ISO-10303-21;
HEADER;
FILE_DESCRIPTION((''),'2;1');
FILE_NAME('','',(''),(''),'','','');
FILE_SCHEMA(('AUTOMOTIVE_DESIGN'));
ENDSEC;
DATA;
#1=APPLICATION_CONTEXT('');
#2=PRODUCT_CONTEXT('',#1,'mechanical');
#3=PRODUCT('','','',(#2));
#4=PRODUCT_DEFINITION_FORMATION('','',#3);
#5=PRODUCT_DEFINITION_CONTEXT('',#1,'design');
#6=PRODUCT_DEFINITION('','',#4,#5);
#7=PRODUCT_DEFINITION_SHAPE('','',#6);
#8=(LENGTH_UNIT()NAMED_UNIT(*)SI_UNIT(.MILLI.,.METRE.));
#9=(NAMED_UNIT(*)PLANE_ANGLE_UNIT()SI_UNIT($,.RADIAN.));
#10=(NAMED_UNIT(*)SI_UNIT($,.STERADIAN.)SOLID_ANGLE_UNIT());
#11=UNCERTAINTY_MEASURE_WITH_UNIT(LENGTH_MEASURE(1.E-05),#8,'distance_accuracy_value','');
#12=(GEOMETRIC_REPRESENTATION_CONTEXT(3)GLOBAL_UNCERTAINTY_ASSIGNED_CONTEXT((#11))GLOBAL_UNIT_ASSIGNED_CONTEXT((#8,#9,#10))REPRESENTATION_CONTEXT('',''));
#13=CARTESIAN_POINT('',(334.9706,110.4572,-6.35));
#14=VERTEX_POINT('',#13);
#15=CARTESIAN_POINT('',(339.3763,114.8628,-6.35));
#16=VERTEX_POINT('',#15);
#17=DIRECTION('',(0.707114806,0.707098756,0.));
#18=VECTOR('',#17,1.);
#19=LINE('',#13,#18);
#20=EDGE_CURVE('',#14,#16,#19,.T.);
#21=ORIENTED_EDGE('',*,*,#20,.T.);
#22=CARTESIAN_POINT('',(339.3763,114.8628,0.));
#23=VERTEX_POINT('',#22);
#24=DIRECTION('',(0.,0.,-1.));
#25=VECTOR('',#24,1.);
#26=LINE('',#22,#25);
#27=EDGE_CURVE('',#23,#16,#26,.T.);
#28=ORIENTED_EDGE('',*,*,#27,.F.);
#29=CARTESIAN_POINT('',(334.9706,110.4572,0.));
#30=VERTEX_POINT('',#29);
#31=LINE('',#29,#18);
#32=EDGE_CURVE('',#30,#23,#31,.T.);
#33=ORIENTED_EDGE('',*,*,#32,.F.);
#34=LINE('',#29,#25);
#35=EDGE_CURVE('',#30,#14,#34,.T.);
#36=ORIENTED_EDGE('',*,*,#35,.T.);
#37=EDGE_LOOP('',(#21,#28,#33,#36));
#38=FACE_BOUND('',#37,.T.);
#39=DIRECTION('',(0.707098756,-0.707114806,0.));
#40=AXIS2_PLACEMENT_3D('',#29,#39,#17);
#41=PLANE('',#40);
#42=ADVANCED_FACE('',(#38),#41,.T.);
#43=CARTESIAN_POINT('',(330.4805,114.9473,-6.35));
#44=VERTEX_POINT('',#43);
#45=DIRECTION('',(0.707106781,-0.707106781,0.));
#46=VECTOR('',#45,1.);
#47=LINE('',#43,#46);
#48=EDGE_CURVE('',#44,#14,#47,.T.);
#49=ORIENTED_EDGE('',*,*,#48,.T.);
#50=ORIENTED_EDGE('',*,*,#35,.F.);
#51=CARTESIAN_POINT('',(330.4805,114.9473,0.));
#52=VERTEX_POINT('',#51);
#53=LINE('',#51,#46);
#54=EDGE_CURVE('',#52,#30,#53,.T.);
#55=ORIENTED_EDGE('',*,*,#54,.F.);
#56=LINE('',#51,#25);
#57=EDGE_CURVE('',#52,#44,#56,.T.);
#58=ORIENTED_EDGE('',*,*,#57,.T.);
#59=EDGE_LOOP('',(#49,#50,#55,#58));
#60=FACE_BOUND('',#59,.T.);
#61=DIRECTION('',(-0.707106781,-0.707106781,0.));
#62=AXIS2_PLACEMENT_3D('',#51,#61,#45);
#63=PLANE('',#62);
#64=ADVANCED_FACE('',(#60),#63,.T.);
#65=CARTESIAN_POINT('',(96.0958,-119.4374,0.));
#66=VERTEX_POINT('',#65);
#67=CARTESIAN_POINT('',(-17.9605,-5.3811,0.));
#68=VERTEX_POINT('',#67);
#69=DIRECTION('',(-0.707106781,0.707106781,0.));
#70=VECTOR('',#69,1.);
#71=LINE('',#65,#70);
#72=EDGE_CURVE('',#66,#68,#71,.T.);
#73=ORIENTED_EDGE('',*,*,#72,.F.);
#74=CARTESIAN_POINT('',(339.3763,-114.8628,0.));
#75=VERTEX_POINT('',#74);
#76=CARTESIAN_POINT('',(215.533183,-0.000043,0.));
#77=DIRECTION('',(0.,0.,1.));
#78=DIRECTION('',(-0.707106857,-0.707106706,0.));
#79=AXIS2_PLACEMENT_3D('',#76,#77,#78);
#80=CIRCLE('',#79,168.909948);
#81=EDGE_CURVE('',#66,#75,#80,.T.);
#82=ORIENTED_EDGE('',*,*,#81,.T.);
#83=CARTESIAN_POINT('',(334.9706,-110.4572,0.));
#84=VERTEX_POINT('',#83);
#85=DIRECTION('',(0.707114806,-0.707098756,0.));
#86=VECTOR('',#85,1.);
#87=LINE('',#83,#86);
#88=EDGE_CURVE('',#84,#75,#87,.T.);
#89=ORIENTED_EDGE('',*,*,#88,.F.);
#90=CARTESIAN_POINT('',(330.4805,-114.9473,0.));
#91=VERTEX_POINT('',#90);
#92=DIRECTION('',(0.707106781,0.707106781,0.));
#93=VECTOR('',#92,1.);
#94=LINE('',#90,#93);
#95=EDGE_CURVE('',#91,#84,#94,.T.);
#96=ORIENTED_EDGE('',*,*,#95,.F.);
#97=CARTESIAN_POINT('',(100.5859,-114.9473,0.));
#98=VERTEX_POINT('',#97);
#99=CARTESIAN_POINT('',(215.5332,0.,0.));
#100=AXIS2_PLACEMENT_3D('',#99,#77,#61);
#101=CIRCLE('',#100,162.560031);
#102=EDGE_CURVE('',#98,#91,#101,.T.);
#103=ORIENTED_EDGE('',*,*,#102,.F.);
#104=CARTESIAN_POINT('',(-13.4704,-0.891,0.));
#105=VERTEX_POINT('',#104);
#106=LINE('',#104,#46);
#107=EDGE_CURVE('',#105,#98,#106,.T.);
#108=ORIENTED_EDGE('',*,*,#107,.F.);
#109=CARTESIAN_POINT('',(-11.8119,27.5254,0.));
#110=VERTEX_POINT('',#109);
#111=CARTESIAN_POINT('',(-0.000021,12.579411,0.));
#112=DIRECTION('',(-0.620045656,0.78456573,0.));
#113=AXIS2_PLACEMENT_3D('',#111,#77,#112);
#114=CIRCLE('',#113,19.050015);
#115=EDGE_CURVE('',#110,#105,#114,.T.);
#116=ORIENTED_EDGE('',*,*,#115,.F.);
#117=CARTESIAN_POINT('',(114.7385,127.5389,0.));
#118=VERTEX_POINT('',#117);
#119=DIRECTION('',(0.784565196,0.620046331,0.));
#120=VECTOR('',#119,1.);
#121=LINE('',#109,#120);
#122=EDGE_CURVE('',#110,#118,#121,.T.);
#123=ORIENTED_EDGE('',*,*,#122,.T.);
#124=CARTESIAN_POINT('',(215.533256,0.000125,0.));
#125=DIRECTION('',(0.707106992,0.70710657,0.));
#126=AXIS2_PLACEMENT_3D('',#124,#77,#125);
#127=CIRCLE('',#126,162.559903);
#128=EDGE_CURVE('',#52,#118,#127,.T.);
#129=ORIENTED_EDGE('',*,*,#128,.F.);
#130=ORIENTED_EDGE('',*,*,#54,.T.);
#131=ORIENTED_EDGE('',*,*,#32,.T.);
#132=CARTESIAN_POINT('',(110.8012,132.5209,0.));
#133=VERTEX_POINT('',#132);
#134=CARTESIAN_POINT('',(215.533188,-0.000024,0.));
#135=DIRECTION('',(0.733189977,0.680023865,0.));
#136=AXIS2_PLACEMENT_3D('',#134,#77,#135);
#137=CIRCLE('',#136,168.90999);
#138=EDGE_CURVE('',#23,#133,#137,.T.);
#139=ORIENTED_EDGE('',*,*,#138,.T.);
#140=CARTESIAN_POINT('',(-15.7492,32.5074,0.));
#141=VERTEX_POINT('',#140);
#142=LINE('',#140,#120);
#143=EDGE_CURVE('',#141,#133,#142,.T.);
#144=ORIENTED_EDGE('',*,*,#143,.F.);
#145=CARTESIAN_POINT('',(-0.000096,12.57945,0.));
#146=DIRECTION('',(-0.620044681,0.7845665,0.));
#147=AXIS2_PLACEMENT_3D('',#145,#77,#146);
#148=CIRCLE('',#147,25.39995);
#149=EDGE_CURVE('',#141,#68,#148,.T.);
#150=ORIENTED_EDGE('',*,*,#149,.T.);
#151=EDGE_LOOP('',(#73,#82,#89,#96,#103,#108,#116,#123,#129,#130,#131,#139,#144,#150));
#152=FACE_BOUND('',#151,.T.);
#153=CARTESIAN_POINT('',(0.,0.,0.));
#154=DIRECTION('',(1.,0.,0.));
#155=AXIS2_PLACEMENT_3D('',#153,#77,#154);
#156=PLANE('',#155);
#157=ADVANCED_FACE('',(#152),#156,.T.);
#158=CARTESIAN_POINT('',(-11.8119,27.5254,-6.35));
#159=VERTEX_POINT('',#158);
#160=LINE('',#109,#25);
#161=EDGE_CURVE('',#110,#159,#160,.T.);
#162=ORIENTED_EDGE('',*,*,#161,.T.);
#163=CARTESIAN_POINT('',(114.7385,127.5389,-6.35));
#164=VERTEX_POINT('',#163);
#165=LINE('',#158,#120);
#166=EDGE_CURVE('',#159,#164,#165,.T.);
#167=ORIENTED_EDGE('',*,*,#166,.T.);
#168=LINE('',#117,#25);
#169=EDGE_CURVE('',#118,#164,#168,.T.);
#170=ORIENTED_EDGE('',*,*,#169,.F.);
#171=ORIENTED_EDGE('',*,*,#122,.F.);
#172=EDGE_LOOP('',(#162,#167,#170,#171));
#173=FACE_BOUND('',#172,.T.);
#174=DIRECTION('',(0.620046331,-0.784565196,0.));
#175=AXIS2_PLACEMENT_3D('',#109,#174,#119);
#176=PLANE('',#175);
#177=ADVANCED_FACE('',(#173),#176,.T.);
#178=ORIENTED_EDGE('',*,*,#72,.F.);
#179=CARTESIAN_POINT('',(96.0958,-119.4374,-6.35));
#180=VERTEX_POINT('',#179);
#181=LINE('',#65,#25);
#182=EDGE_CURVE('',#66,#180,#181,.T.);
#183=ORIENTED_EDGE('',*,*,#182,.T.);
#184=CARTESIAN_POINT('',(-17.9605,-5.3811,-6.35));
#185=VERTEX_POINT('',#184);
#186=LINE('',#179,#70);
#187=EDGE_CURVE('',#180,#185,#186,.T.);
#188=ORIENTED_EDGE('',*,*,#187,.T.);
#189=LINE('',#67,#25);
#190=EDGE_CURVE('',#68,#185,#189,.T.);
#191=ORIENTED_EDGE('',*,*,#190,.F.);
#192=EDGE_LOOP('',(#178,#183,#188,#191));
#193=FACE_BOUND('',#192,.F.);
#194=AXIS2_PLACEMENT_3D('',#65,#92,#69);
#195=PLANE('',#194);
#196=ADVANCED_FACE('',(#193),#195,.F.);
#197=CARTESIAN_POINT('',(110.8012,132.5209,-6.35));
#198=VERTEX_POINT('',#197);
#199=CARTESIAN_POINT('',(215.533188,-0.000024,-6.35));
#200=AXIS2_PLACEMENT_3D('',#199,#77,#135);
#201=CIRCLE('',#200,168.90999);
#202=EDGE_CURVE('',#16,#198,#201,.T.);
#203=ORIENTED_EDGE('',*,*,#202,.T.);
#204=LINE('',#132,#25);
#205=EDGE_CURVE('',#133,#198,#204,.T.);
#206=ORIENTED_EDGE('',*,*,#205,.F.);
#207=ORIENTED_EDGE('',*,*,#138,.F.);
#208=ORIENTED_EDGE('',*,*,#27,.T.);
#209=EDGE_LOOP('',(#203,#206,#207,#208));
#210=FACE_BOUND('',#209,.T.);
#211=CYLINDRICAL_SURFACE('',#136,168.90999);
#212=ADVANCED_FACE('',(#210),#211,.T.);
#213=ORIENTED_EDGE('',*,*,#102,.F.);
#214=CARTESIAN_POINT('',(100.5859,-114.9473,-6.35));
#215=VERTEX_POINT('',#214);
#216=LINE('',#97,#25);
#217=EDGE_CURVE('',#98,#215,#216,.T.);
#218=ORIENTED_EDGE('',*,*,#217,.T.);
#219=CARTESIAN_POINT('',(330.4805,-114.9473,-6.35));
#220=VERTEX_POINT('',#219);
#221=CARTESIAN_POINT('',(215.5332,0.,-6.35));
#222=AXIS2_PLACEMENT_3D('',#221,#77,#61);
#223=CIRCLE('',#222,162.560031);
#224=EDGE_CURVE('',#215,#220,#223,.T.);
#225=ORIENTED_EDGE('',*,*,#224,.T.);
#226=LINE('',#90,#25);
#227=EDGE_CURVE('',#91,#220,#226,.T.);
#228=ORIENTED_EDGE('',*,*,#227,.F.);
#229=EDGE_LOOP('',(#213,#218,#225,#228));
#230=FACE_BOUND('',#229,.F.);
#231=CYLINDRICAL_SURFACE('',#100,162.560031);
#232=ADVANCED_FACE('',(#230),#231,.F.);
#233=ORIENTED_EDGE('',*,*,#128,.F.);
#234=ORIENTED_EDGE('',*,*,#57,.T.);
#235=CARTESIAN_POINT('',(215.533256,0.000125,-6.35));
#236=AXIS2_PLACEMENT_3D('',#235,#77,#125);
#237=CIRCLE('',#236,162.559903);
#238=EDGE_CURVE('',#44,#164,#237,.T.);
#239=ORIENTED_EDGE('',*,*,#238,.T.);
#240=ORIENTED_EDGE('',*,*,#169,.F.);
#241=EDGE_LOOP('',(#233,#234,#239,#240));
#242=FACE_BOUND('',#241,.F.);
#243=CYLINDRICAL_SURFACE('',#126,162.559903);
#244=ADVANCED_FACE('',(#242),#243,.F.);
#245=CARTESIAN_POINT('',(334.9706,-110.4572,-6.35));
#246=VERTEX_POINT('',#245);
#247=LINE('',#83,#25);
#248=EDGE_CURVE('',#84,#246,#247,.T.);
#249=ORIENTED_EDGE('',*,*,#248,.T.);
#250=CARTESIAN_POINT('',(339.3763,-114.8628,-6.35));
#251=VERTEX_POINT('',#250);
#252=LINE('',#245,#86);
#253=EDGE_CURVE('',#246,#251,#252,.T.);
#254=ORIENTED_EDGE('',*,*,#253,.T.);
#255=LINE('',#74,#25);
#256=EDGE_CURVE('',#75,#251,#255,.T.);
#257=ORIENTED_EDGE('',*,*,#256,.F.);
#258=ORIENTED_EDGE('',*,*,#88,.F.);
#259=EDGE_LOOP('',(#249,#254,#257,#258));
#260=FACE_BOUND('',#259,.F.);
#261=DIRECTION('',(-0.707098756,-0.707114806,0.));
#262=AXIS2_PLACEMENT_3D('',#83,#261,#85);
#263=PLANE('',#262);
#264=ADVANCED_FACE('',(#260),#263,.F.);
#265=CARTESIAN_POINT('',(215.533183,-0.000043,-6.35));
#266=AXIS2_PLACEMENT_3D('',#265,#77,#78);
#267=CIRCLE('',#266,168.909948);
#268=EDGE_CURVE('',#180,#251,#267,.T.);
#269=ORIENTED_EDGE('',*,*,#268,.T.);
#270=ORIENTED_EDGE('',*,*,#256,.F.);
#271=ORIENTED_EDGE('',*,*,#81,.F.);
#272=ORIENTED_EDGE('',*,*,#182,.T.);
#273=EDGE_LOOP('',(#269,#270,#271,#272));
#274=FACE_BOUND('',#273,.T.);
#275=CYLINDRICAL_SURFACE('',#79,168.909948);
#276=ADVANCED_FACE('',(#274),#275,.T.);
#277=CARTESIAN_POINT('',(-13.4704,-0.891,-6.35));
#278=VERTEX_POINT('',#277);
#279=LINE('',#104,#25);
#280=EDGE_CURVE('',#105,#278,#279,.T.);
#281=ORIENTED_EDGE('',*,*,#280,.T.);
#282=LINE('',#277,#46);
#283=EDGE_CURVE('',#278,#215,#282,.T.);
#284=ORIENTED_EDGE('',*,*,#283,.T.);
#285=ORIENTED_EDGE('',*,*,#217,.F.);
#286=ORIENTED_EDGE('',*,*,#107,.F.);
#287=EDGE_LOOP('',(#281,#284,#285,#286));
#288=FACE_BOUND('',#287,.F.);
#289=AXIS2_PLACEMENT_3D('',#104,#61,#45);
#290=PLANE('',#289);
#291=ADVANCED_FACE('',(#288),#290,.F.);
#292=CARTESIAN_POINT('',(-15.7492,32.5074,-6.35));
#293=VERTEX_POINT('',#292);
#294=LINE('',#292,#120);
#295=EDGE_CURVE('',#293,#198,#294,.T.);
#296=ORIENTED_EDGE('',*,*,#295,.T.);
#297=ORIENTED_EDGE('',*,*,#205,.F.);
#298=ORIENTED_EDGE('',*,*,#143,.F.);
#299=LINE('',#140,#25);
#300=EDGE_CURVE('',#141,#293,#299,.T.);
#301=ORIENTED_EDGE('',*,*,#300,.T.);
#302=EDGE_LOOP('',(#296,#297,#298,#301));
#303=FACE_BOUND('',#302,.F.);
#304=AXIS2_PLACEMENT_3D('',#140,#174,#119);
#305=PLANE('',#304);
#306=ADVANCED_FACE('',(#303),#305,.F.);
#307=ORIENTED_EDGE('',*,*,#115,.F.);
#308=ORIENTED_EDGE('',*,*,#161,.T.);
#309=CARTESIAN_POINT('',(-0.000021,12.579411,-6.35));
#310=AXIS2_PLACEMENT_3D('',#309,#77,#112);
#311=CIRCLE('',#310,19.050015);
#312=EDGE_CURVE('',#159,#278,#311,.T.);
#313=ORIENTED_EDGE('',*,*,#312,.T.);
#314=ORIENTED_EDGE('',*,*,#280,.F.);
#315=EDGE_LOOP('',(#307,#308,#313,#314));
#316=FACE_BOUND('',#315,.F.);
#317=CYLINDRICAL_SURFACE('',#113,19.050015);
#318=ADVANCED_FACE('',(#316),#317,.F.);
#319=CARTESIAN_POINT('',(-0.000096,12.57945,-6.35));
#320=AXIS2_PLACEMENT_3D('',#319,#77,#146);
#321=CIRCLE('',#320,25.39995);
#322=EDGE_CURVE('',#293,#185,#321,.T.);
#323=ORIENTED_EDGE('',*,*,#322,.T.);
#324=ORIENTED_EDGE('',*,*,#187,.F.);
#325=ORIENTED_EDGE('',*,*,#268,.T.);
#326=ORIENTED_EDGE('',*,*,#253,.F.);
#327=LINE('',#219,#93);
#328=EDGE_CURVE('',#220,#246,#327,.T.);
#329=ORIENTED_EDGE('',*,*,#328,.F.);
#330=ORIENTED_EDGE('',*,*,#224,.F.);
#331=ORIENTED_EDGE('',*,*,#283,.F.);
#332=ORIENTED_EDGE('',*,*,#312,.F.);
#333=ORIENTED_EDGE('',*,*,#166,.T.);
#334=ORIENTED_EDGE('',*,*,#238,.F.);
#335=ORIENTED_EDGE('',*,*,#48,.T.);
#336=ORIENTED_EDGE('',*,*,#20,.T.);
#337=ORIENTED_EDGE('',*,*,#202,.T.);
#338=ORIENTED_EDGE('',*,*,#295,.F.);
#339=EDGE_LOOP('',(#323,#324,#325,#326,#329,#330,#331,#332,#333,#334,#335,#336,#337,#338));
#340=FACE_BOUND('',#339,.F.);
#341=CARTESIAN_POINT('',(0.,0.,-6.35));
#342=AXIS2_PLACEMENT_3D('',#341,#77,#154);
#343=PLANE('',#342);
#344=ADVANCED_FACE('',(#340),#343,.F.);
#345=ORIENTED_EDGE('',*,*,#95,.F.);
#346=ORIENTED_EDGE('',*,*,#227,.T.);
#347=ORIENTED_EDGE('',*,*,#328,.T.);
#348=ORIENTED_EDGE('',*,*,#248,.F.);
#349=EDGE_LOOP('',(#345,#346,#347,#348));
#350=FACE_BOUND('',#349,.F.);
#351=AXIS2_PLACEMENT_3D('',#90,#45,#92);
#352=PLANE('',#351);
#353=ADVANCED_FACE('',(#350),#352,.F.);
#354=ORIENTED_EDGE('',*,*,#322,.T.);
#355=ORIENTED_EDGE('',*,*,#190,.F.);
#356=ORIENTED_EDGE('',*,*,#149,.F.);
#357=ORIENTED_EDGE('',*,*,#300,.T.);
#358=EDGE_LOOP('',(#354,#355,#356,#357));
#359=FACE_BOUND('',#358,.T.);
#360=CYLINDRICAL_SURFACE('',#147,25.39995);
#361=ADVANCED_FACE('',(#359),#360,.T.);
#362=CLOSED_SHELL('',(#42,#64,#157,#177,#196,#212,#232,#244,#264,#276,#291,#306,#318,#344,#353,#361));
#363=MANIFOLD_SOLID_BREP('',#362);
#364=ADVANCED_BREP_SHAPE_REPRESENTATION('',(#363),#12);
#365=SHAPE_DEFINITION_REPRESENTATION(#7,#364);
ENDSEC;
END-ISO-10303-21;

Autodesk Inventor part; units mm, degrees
ref_plane "YZ Plane" through (0, 0, 0) normal (1, 0, 0) x (0, 1, 0)
ref_plane "XZ Plane" through (0, 0, 0) normal (0, 1, 0) x (-1, 0, 0)
ref_plane "XY Plane" through (0, 0, 0) normal (0, 0, 1) x (1, 0, 0)
sketch "Sketch1" plane through (0, 0, 0) normal (0, 0, 1) x (1, 0, 0)
  line L0 (-11.8119, 27.5254) -> (114.7385, 127.5389)
  line L1 (-13.4704, -0.891) -> (100.5859, -114.9473)
  arc A0 (100.5859, -114.9473) -> (330.4805, -114.9473) centre (215.5332, 0) ccw
  arc A1 (330.4805, 114.9473) -> (114.7385, 127.5389) centre (215.5332, 0) ccw
  line L2 (-15.7492, 32.5074) -> (110.8012, 132.5209)
  arc A2 (339.3763, 114.8628) -> (110.8012, 132.5209) centre (215.5332, 0) ccw
  arc A3 (96.0958, -119.4374) -> (339.3763, -114.8628) centre (215.5332, 0) ccw
  line L3 (96.0958, -119.4374) -> (-17.9605, -5.3811)
  arc A4 (-15.7492, 32.5074) -> (-17.9605, -5.3811) centre (0, 12.5794) ccw
  arc A5 (-11.8119, 27.5254) -> (-13.4704, -0.891) centre (0, 12.5794) ccw
  line L4 (330.4805, 114.9473) -> (334.9706, 110.4572)
  line L5 (330.4805, -114.9473) -> (334.9706, -110.4572)
  line L6 (334.9706, -110.4572) -> (339.3763, -114.8628)
  line L7 (334.9706, 110.4572) -> (339.3763, 114.8628)
  point P0 (0, 0)
  dimension "d4" = 6.35
  dimension "d5" = 6.35
extrude "Extrusion1" add sketch "Sketch1" against normal blind 6.35
properties part number "neck chain"
